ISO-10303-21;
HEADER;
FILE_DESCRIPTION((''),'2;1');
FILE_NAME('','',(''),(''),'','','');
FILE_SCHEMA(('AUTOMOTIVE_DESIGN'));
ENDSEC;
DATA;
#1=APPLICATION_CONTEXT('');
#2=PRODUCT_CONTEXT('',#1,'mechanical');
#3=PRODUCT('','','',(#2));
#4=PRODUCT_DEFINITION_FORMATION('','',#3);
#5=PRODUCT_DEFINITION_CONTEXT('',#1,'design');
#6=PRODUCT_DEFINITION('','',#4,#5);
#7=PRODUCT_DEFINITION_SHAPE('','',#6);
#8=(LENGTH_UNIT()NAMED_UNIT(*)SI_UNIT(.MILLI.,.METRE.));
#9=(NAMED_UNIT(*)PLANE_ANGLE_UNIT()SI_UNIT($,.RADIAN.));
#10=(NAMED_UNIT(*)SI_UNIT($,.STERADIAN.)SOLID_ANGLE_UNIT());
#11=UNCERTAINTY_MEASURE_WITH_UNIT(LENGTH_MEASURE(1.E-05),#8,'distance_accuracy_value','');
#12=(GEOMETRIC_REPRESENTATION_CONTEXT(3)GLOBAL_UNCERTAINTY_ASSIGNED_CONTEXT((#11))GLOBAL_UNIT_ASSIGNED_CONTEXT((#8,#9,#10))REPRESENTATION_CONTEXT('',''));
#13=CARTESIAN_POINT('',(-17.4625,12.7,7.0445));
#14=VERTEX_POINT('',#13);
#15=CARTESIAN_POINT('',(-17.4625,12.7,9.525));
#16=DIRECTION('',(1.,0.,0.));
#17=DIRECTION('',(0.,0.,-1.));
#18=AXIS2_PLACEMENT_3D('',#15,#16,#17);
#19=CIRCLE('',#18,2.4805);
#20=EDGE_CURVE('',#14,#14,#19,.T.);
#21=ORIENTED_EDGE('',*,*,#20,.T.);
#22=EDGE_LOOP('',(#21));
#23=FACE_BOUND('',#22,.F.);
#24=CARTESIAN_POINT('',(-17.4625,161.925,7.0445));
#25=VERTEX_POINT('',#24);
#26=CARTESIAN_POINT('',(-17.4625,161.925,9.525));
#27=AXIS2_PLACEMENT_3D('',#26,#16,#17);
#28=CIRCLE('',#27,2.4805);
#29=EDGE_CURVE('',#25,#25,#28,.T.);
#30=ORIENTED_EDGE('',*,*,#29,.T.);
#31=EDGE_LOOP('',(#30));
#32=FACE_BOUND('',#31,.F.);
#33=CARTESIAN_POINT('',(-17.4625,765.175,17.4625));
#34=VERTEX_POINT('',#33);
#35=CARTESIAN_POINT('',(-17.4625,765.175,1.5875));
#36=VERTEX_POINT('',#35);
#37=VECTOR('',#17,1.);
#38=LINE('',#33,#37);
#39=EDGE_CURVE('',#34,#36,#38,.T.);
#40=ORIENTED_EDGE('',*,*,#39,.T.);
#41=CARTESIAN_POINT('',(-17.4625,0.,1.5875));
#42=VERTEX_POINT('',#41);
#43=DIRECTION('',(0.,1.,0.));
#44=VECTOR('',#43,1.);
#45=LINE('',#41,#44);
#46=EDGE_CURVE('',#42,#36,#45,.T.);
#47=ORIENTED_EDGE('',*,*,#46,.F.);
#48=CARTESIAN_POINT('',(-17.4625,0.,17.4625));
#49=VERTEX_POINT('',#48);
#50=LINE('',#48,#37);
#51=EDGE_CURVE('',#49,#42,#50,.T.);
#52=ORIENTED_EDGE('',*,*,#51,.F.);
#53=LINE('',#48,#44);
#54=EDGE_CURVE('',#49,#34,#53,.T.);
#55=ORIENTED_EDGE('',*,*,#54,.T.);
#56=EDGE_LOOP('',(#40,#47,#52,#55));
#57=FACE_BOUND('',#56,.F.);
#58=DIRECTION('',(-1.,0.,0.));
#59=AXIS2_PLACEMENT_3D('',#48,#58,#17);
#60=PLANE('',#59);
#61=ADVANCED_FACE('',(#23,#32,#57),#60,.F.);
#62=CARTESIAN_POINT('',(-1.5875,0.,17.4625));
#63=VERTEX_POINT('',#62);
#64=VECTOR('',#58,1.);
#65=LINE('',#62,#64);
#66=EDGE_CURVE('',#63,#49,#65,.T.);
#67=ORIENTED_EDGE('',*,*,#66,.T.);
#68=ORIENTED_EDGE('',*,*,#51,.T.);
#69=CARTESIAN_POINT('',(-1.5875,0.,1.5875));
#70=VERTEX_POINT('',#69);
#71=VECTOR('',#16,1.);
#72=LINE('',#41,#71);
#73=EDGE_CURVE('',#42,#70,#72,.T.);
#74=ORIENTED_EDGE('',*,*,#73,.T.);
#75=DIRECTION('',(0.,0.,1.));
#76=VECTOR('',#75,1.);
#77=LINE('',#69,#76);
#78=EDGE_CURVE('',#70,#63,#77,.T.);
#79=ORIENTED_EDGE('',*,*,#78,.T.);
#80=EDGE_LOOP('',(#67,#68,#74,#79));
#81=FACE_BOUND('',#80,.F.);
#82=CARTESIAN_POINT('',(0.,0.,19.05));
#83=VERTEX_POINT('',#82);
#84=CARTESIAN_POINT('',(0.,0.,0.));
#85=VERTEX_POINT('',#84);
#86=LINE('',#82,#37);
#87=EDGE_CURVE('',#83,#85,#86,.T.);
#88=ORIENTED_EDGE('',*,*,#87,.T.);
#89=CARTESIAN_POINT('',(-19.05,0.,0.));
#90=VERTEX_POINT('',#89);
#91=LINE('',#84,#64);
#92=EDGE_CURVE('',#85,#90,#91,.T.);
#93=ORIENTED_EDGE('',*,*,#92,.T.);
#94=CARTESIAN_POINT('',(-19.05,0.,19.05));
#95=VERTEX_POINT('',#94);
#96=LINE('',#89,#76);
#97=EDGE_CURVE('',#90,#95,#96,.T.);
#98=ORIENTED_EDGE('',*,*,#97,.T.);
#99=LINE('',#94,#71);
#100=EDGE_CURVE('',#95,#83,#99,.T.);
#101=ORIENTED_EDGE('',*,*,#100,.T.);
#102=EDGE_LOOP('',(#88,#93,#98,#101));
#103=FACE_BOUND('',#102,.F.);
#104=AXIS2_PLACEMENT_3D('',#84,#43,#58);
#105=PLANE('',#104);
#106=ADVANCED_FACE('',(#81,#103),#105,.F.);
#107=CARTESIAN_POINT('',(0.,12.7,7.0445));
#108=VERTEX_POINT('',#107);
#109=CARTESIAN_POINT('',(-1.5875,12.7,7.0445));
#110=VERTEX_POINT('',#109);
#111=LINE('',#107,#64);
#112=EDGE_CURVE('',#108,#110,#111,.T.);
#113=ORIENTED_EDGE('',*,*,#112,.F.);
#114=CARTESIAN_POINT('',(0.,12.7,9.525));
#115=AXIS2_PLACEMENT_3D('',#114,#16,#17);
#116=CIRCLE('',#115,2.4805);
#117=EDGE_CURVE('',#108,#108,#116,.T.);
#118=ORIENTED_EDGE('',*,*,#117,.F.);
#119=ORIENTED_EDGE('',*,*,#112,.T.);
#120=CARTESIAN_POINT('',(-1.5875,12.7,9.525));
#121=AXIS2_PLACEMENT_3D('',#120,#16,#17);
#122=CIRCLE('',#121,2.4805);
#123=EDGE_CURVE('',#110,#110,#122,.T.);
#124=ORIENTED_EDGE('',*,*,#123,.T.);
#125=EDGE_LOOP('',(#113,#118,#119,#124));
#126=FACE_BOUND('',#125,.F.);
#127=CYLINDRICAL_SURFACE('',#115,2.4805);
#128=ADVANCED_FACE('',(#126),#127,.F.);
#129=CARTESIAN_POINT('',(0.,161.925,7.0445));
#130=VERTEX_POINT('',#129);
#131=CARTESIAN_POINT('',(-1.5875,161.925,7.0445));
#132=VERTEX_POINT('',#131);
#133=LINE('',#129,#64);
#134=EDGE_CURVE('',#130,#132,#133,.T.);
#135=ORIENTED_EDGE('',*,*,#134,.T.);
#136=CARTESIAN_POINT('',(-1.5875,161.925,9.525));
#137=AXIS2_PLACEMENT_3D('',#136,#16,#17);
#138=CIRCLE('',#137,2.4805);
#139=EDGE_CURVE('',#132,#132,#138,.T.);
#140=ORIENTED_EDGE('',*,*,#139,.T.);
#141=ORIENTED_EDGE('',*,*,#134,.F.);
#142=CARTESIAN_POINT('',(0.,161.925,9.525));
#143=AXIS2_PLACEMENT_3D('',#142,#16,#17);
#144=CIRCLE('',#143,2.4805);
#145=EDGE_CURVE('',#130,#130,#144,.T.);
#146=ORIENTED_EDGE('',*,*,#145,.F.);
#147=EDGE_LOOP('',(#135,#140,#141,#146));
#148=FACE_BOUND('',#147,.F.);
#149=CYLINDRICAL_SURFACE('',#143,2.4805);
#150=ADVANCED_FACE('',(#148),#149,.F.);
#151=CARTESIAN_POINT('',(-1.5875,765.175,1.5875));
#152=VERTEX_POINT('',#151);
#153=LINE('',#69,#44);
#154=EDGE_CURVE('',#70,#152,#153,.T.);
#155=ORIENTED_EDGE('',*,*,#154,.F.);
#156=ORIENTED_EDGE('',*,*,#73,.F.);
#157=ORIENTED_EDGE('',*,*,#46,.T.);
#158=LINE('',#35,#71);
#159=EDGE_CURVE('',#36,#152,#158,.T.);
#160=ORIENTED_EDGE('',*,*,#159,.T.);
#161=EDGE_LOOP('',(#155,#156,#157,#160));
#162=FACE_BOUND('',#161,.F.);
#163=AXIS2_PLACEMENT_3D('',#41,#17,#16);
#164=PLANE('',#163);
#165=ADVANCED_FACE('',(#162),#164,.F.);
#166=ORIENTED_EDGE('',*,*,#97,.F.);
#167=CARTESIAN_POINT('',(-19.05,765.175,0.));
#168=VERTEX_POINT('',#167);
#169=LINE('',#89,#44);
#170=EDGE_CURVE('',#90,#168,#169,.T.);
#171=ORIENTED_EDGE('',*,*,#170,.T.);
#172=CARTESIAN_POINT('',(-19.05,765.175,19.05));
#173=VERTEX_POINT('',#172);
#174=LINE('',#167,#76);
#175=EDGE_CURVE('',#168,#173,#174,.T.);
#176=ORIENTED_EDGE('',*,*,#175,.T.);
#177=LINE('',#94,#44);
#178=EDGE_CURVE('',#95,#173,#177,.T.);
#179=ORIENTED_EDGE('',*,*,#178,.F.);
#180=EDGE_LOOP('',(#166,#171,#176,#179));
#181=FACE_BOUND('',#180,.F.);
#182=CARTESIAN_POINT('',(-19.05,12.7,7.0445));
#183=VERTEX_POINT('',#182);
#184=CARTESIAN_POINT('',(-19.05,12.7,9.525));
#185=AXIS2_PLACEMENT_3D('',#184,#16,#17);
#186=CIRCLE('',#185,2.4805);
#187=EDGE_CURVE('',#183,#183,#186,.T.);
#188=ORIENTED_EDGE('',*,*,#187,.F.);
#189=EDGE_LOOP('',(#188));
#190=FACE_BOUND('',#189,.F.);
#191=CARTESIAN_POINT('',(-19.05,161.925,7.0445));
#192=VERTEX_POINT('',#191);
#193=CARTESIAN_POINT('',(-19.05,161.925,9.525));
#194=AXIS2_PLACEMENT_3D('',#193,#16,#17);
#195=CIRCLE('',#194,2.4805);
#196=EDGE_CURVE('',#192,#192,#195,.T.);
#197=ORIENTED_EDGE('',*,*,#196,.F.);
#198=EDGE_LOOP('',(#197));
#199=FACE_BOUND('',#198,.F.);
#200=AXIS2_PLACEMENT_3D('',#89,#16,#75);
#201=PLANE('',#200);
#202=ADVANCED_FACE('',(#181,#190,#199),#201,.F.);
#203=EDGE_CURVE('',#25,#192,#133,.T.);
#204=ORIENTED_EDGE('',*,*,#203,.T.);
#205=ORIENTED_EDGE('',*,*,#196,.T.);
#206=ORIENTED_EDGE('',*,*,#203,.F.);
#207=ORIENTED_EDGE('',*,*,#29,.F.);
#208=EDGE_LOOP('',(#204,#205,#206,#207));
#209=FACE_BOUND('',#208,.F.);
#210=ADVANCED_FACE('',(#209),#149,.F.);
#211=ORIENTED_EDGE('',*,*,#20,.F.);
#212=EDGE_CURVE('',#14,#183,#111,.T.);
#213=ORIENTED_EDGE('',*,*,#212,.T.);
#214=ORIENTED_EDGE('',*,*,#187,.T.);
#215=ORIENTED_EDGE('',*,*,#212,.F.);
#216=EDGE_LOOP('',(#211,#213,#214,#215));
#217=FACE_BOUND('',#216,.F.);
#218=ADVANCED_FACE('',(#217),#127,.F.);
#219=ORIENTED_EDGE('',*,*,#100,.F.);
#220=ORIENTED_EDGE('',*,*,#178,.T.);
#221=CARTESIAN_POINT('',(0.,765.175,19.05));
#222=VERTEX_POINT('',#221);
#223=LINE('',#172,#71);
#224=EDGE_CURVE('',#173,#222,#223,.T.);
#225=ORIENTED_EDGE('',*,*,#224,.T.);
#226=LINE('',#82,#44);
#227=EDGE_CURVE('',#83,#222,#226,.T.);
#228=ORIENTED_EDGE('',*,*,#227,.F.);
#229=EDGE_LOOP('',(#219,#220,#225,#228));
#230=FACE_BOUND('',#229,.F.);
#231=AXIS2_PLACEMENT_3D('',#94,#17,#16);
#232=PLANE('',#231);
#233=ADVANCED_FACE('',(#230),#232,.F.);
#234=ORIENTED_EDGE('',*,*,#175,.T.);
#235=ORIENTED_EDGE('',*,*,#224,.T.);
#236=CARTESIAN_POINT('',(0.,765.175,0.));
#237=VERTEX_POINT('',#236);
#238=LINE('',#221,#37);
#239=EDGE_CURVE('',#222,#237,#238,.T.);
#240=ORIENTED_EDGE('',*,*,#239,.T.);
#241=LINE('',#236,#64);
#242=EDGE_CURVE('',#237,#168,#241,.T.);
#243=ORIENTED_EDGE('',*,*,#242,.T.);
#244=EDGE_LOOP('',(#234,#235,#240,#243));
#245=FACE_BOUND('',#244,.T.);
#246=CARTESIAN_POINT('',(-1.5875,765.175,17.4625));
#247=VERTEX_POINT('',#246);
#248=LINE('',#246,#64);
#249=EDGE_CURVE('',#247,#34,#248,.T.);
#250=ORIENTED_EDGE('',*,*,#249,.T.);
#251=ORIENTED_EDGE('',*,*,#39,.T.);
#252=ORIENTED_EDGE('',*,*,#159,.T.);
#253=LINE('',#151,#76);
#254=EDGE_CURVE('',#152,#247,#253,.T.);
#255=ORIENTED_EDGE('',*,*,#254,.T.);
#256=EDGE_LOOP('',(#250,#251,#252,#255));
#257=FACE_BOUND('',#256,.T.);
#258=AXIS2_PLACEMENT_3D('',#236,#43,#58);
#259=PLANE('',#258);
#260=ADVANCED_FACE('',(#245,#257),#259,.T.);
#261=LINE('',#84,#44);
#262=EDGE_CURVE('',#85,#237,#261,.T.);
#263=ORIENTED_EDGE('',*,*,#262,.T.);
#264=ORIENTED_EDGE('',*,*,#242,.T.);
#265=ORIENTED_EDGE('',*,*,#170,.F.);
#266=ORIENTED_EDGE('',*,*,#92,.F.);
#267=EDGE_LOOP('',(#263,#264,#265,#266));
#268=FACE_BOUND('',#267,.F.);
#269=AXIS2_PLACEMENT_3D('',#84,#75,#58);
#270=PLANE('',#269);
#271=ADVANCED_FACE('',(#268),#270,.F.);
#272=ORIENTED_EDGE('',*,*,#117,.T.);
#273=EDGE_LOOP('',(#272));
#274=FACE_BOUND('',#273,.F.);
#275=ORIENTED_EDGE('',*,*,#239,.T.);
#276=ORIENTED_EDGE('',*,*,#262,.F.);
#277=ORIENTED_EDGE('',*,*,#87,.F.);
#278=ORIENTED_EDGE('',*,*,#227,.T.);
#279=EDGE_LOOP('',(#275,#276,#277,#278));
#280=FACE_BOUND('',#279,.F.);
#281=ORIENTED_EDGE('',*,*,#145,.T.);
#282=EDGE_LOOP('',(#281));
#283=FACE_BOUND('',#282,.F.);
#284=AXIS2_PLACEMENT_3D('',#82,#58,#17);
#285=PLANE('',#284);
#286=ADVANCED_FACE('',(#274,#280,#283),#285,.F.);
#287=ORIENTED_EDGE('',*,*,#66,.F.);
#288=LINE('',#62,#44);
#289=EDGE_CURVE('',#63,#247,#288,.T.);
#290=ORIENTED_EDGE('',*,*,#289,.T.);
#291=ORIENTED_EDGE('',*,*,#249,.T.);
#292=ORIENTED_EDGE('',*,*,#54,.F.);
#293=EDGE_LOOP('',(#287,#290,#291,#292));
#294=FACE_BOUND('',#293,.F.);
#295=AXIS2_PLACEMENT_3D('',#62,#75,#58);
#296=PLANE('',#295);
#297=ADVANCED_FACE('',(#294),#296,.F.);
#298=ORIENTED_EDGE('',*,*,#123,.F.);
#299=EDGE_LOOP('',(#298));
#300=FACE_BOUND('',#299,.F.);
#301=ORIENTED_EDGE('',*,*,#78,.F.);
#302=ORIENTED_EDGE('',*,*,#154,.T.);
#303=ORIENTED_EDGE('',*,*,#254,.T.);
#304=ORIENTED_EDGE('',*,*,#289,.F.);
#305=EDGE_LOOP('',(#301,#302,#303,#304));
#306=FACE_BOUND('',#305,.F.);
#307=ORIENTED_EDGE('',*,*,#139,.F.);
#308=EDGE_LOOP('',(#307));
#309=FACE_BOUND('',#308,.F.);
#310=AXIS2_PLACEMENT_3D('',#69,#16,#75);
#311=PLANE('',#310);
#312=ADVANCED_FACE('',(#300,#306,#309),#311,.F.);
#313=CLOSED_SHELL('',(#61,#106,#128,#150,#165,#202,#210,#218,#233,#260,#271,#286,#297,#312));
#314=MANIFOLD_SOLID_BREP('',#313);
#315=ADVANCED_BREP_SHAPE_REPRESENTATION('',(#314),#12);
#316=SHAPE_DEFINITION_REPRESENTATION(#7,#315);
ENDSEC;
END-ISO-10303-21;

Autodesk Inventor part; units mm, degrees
ref_plane "YZ Plane" through (0, 0, 0) normal (1, 0, 0) x (0, 1, 0)
ref_plane "XZ Plane" through (0, 0, 0) normal (0, 1, 0) x (-1, 0, 0)
ref_plane "XY Plane" through (0, 0, 0) normal (0, 0, 1) x (1, 0, 0)
sketch "Sketch1" plane through (0, 0, 0) normal (0, 1, 0) x (-1, 0, 0)
  line L0 (0, 0) -> (19.05, 0)
  line L1 (19.05, 0) -> (19.05, 19.05)
  line L2 (19.05, 19.05) -> (0, 19.05)
  line L3 (0, 19.05) -> (0, 0)
  line L4 (1.5875, 17.4625) -> (17.4625, 17.4625)
  line L5 (17.4625, 17.4625) -> (17.4625, 1.5875)
  line L6 (17.4625, 1.5875) -> (1.5875, 1.5875)
  line L7 (1.5875, 1.5875) -> (1.5875, 17.4625)
  dimension "d0" = 19.05
  dimension "sqAlumWidth" = 19.05
  dimension "sqAlumWallThickness" = 1.5875
  dimension "d3" = 1.5875
  dimension "d4" = 1.5875
  dimension "d5" = 1.5875
extrude "Extrusion1" add sketch "Sketch1" along normal blind 765.175
sketch "Sketch2" plane through (0, 0, 19.05) normal (1, 0, 0) x (0, 0, -1)
  line L0 (0, 0) -> (19.05, 0) projected
  line L1 (19.05, 0) -> (19.05, 765.175) projected
  circle A0 centre (9.525, 12.7) radius 2.4805
  circle A1 centre (9.525, 161.925) radius 2.4805
  dimension "d8" = 4.9609
  dimension "d9" = 149.225
  dimension "screwDistanceFromBottom" = 12.7
  dimension "d11" = 9.525
extrude "Extrusion2" cut sketch "Sketch2" against normal through all
equation "\"d0\" = sqAlumWidth"
equation "\"d3\" = sqAlumWallThickness"
equation "\"d4\" = sqAlumWallThickness"
equation "\"d5\" = sqAlumWallThickness"
equation "\"d6\" = heightAboveTv + largeScrewDistance + topLargeScrewDistanceFromTop + screwDistanceFromBottom"
equation "\"d8\" = largeScrewDiameter"
equation "\"d9\" = largeScrewDistance"
equation "\"d11\" = 0.5 * sqAlumWidth"
equation "\"heightAboveTv\" = 304.8"
equation "\"largeScrewDistance\" = 149.225"
equation "\"topLargeScrewDistanceFromTop\" = 298.45"
equation "\"largeScrewDiameter\" = 4.960938"
properties part number "arm-vertical"
